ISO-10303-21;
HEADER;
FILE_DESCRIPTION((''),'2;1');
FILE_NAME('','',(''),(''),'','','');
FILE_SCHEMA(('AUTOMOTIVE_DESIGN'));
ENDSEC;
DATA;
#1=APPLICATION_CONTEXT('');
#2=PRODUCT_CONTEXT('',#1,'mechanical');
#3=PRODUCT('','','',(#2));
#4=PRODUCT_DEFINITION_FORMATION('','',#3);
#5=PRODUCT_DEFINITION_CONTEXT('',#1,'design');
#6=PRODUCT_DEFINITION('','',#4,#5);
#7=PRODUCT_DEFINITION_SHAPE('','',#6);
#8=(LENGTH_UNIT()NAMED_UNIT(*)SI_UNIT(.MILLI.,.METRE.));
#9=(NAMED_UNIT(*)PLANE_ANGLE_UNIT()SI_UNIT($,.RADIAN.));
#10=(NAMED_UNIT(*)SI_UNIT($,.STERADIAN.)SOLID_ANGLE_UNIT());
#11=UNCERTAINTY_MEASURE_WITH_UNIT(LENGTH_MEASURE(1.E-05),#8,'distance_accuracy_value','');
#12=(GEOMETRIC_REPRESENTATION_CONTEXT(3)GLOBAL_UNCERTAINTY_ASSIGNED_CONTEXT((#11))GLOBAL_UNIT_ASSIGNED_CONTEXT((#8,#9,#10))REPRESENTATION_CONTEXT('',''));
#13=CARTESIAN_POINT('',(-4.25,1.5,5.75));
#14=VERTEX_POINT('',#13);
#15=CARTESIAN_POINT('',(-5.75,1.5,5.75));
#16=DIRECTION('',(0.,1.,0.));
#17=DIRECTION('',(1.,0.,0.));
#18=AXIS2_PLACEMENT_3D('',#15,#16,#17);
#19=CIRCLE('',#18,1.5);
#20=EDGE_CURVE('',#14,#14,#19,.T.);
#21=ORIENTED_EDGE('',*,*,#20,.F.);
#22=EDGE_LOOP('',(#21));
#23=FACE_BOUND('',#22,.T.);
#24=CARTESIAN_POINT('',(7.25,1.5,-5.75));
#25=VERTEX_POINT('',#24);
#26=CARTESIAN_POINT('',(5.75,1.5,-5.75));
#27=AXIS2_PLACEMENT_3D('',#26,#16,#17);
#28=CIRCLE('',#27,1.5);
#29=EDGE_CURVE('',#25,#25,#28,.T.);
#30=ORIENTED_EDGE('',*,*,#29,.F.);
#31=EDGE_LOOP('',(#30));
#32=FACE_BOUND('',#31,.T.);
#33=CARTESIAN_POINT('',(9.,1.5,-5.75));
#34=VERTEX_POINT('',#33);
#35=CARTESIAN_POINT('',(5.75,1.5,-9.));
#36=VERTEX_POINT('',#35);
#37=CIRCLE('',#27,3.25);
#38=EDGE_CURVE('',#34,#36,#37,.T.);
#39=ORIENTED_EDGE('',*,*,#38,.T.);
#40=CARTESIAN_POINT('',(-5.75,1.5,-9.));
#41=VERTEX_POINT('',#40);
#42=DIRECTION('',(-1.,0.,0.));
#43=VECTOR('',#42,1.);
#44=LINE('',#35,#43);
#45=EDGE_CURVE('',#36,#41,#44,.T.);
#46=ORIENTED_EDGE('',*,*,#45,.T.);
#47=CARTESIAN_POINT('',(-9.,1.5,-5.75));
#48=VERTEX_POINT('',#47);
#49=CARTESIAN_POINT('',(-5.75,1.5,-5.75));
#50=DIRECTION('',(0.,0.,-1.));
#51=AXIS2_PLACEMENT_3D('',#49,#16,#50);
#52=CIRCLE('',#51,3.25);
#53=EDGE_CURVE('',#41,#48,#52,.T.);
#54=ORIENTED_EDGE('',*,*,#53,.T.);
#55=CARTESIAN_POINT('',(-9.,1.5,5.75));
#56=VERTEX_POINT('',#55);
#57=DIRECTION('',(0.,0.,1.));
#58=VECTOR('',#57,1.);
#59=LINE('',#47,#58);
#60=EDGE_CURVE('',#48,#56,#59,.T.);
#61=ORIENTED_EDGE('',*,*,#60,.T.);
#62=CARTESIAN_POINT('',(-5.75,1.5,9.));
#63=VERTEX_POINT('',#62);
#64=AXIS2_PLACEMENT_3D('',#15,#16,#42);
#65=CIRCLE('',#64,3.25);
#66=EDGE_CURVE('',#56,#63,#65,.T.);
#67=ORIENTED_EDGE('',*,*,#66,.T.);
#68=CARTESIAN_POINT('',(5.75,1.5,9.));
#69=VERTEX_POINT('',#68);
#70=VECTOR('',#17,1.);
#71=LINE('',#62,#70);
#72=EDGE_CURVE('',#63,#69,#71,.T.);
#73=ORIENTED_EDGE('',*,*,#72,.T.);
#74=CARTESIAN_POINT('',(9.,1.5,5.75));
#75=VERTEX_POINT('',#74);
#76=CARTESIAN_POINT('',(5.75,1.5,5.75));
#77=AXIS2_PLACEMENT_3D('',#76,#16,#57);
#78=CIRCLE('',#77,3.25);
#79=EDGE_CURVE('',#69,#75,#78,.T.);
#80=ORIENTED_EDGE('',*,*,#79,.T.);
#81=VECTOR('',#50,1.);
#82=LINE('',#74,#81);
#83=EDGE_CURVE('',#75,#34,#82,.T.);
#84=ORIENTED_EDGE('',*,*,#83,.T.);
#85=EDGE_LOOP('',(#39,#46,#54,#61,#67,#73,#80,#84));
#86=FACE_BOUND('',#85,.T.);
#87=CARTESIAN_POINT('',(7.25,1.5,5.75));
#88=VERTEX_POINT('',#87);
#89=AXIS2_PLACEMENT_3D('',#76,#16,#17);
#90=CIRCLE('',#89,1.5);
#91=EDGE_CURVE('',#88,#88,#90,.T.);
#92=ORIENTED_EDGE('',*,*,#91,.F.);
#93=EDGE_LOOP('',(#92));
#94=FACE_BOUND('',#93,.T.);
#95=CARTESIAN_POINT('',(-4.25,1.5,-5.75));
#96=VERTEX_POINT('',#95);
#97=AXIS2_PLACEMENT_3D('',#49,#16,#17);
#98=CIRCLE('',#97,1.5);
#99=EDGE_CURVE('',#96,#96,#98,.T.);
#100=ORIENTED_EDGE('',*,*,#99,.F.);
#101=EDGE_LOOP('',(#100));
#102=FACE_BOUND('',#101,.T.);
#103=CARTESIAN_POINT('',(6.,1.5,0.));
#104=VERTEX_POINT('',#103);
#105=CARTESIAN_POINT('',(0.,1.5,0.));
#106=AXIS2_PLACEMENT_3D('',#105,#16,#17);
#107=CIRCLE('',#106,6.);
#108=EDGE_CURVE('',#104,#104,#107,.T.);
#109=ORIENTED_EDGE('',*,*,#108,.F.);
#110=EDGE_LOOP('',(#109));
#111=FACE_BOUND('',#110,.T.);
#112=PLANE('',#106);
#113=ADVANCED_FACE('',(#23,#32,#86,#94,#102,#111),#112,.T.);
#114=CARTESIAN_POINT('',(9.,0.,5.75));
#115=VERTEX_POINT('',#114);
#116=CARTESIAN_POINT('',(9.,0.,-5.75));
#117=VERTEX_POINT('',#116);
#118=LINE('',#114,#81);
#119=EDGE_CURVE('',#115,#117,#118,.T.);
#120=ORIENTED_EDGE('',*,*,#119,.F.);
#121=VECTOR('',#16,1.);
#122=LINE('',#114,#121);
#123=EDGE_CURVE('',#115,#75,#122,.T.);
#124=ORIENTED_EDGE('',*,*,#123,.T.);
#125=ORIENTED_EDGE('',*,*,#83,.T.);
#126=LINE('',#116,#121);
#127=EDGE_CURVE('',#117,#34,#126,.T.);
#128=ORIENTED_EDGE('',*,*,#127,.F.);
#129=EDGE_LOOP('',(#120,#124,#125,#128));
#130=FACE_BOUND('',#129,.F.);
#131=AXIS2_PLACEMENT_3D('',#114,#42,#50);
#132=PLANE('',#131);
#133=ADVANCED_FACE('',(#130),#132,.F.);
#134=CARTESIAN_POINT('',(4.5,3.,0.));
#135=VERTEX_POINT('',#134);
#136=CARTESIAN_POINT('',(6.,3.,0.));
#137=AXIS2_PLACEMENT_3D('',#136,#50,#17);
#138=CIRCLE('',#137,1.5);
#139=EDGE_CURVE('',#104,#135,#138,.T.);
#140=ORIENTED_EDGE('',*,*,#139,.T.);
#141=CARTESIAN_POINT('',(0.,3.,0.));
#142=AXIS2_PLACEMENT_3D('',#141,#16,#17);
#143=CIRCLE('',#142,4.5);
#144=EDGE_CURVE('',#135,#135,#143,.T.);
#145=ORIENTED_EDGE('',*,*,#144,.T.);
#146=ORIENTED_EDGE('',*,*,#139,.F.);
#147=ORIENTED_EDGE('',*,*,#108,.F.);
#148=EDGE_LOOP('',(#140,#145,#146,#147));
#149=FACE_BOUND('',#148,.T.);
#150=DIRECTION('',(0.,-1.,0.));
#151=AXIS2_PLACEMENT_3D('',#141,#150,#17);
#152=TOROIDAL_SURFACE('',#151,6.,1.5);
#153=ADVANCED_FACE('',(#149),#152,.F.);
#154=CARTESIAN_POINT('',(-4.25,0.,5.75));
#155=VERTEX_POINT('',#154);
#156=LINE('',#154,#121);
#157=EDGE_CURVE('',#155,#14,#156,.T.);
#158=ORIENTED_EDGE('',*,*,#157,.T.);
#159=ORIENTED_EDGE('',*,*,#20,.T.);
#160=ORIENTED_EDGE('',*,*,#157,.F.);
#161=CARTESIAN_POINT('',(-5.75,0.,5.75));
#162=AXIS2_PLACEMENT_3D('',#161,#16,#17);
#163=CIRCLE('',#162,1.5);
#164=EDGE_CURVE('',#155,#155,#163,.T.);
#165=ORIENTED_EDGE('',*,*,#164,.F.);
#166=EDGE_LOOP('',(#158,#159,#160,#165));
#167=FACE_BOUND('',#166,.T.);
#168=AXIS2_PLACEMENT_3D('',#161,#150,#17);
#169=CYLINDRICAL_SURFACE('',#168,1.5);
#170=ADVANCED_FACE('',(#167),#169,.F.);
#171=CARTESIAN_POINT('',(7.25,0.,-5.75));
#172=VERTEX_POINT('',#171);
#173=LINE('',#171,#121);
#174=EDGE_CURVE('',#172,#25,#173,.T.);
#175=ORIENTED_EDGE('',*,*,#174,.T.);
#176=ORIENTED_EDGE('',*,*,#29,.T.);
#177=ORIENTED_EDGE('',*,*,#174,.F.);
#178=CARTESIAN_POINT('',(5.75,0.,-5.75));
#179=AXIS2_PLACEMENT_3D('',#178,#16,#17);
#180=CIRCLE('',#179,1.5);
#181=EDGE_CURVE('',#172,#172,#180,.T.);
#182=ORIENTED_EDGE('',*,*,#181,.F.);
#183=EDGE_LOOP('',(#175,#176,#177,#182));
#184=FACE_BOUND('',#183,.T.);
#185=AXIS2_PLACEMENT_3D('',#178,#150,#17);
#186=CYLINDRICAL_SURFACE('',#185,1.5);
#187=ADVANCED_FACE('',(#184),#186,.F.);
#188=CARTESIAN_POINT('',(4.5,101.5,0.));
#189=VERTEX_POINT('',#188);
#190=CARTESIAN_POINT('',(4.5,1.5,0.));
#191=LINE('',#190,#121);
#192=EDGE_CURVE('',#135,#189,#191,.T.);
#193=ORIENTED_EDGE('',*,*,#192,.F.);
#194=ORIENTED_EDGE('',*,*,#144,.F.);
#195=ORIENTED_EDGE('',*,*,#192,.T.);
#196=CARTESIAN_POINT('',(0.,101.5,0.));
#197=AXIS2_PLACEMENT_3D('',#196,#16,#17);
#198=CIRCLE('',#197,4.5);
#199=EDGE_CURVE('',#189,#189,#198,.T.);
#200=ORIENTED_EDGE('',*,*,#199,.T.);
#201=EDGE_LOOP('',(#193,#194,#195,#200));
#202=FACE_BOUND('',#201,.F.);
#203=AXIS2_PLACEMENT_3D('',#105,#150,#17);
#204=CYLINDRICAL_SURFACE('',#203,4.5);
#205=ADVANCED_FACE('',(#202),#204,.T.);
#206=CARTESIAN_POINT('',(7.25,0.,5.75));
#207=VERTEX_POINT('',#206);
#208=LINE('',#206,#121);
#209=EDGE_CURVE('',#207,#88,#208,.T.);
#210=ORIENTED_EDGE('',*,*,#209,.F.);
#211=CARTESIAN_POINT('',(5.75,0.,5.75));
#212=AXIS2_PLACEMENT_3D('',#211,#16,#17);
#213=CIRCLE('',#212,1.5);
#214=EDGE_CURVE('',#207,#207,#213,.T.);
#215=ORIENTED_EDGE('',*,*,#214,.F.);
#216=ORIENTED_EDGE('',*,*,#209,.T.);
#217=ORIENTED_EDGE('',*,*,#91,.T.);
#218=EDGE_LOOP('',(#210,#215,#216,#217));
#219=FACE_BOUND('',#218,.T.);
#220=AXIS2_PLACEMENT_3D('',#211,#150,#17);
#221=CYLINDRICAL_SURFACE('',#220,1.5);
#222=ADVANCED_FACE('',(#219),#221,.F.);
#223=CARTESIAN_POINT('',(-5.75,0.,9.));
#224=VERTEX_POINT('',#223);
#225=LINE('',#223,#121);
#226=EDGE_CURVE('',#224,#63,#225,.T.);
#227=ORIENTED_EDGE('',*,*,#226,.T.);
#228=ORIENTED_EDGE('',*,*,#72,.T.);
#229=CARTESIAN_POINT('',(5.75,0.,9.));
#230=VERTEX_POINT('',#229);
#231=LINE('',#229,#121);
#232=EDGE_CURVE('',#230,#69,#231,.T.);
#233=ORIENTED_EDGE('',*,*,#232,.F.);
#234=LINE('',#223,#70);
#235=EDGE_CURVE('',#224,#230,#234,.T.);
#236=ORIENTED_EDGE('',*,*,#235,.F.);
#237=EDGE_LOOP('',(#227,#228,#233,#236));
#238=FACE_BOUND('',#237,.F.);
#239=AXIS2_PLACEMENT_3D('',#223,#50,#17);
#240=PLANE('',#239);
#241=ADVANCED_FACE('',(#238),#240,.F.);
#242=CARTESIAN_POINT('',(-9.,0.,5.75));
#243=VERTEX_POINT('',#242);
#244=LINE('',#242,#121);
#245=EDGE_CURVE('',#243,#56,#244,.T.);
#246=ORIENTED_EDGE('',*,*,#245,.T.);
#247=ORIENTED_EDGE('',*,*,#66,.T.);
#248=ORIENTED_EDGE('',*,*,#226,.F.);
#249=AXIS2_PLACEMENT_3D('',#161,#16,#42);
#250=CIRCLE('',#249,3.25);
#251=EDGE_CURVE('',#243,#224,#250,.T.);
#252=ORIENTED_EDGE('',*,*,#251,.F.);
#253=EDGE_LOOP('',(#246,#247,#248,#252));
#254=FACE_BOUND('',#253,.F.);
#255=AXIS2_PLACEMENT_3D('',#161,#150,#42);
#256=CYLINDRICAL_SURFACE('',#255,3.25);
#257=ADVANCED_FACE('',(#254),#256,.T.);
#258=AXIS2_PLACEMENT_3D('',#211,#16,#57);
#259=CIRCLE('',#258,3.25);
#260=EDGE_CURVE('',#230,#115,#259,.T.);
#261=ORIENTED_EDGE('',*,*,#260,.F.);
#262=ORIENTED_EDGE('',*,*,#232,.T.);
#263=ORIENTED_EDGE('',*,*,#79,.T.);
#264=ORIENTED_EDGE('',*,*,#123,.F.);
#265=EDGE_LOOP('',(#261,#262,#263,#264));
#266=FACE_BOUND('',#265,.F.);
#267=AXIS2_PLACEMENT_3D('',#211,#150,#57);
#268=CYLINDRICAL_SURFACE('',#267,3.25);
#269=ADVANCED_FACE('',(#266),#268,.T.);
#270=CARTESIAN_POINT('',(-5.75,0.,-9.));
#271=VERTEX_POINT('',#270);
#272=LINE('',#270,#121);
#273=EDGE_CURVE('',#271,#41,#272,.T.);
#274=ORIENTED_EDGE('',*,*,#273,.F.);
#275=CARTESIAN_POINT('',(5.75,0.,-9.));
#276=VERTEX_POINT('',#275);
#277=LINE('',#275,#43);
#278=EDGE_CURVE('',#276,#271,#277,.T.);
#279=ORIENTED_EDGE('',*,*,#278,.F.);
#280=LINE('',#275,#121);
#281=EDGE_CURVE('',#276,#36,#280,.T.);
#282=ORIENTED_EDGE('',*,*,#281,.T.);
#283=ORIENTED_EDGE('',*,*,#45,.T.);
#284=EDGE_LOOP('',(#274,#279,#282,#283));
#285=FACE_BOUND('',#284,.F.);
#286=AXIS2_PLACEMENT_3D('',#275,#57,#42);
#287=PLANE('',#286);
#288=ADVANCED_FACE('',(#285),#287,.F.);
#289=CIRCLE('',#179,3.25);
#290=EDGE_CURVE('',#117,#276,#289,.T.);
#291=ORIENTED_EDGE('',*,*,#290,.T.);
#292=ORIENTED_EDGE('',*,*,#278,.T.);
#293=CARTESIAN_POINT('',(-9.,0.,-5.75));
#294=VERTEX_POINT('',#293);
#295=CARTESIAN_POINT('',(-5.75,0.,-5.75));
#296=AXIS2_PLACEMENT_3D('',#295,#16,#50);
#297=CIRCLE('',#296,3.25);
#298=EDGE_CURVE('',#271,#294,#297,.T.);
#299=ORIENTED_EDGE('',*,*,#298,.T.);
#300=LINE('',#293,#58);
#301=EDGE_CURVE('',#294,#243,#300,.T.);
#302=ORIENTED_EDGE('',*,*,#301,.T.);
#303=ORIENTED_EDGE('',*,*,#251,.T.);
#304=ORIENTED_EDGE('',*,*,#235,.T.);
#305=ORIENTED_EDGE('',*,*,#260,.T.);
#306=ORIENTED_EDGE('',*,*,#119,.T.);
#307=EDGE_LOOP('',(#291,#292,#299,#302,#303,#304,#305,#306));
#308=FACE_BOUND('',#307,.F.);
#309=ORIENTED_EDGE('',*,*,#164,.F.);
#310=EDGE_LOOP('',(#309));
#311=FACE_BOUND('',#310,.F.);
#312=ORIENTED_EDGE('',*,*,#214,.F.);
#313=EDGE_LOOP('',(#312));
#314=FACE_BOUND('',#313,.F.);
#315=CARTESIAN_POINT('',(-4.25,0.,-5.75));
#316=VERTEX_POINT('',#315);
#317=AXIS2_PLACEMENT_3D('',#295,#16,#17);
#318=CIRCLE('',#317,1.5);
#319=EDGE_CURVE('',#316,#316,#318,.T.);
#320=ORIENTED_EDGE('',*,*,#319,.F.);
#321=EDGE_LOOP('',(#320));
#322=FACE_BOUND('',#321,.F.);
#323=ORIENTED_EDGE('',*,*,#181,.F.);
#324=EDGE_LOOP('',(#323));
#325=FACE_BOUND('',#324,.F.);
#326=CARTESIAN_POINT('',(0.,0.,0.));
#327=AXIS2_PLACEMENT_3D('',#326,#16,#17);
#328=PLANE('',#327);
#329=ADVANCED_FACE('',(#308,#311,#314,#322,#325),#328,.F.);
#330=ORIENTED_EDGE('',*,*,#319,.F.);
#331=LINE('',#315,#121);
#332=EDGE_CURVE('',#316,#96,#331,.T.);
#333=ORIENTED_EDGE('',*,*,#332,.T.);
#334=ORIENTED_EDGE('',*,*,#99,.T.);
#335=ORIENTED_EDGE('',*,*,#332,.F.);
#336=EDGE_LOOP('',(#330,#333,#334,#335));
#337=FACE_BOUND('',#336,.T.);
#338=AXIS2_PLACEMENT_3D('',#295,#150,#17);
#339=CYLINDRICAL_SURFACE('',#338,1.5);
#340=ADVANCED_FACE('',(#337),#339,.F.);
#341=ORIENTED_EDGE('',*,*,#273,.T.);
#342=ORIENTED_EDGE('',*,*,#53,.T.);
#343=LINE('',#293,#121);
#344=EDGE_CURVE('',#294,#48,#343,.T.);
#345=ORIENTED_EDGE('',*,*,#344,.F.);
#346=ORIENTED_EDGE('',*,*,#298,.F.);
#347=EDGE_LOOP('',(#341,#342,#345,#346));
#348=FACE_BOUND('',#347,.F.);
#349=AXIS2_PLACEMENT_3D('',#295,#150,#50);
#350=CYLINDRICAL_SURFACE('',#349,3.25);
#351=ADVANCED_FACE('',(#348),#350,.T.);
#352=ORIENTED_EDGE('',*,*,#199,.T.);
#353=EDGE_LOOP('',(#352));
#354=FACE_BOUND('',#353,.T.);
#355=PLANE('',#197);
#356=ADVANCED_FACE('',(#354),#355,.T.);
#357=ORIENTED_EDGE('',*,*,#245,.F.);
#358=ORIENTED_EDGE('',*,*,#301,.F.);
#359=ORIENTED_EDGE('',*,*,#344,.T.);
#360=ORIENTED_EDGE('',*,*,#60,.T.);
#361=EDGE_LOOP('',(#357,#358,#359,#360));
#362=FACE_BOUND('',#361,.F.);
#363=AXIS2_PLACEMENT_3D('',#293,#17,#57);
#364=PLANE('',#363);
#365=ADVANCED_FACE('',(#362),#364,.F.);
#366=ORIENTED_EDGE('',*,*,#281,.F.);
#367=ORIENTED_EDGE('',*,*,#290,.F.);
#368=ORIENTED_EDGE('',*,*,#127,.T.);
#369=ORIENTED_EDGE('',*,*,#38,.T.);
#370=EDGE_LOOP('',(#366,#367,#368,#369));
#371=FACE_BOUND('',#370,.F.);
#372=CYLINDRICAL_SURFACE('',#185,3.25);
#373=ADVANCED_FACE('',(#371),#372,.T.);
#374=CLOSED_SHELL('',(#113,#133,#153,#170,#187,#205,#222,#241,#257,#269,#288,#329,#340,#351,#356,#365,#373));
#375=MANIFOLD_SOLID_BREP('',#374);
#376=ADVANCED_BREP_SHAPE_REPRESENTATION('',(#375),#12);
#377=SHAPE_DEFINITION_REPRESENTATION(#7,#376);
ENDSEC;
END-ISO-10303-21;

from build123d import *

# Parameters (mm, degrees)
SKETCH1_R           = 1.5
BOSS_EXTRUDE1_DEPTH = 1.5
SKETCH2_R           = 4.5
BOSS_EXTRUDE2_DEPTH = 100
FILLET2_R           = 1.5


with BuildPart() as part:
    # Sketch1 → Boss-Extrude1 (new body)
    with BuildSketch(Plane(origin=(0, 0, 0), x_dir=(1, 0, 0), z_dir=(0, 1, 0))):
        with BuildLine():
            Line((5.75, 9), (-5.75, 9))
            ThreePointArc((-5.75, 9), (-8.048097039, 8.048097039), (-9, 5.75))
            Line((-9, 5.75), (-9, -5.75))
            ThreePointArc((-9, -5.75), (-8.048097039, -8.048097039), (-5.75, -9))
            Line((-5.75, -9), (5.75, -9))
            ThreePointArc((5.75, -9), (8.048097039, -8.048097039), (9, -5.75))
            Line((9, -5.75), (9, 5.75))
            ThreePointArc((9, 5.75), (8.048097039, 8.048097039), (5.75, 9))
        make_face()
        with Locations((5.75, 5.75)):
            Circle(SKETCH1_R, mode=Mode.SUBTRACT)
        with Locations((5.75, -5.75)):
            Circle(SKETCH1_R, mode=Mode.SUBTRACT)
        with Locations((-5.75, -5.75)):
            Circle(SKETCH1_R, mode=Mode.SUBTRACT)
        with Locations((-5.75, 5.75)):
            Circle(SKETCH1_R, mode=Mode.SUBTRACT)
    extrude(amount=BOSS_EXTRUDE1_DEPTH)

    # Sketch2 → Boss-Extrude2 (add)
    with BuildSketch(Plane(origin=(0, 1.5, 0), x_dir=(1, 0, 0), z_dir=(0, 1, 0))):
        Circle(SKETCH2_R)
    extrude(amount=BOSS_EXTRUDE2_DEPTH)

    # Fillet2
    fillet2_edges = [part.edges().sort_by_distance(p)[0] for p in [
        (-4.5, 1.5, 0),
    ]]
    fillet(fillet2_edges, radius=FILLET2_R)


solid = part.part
